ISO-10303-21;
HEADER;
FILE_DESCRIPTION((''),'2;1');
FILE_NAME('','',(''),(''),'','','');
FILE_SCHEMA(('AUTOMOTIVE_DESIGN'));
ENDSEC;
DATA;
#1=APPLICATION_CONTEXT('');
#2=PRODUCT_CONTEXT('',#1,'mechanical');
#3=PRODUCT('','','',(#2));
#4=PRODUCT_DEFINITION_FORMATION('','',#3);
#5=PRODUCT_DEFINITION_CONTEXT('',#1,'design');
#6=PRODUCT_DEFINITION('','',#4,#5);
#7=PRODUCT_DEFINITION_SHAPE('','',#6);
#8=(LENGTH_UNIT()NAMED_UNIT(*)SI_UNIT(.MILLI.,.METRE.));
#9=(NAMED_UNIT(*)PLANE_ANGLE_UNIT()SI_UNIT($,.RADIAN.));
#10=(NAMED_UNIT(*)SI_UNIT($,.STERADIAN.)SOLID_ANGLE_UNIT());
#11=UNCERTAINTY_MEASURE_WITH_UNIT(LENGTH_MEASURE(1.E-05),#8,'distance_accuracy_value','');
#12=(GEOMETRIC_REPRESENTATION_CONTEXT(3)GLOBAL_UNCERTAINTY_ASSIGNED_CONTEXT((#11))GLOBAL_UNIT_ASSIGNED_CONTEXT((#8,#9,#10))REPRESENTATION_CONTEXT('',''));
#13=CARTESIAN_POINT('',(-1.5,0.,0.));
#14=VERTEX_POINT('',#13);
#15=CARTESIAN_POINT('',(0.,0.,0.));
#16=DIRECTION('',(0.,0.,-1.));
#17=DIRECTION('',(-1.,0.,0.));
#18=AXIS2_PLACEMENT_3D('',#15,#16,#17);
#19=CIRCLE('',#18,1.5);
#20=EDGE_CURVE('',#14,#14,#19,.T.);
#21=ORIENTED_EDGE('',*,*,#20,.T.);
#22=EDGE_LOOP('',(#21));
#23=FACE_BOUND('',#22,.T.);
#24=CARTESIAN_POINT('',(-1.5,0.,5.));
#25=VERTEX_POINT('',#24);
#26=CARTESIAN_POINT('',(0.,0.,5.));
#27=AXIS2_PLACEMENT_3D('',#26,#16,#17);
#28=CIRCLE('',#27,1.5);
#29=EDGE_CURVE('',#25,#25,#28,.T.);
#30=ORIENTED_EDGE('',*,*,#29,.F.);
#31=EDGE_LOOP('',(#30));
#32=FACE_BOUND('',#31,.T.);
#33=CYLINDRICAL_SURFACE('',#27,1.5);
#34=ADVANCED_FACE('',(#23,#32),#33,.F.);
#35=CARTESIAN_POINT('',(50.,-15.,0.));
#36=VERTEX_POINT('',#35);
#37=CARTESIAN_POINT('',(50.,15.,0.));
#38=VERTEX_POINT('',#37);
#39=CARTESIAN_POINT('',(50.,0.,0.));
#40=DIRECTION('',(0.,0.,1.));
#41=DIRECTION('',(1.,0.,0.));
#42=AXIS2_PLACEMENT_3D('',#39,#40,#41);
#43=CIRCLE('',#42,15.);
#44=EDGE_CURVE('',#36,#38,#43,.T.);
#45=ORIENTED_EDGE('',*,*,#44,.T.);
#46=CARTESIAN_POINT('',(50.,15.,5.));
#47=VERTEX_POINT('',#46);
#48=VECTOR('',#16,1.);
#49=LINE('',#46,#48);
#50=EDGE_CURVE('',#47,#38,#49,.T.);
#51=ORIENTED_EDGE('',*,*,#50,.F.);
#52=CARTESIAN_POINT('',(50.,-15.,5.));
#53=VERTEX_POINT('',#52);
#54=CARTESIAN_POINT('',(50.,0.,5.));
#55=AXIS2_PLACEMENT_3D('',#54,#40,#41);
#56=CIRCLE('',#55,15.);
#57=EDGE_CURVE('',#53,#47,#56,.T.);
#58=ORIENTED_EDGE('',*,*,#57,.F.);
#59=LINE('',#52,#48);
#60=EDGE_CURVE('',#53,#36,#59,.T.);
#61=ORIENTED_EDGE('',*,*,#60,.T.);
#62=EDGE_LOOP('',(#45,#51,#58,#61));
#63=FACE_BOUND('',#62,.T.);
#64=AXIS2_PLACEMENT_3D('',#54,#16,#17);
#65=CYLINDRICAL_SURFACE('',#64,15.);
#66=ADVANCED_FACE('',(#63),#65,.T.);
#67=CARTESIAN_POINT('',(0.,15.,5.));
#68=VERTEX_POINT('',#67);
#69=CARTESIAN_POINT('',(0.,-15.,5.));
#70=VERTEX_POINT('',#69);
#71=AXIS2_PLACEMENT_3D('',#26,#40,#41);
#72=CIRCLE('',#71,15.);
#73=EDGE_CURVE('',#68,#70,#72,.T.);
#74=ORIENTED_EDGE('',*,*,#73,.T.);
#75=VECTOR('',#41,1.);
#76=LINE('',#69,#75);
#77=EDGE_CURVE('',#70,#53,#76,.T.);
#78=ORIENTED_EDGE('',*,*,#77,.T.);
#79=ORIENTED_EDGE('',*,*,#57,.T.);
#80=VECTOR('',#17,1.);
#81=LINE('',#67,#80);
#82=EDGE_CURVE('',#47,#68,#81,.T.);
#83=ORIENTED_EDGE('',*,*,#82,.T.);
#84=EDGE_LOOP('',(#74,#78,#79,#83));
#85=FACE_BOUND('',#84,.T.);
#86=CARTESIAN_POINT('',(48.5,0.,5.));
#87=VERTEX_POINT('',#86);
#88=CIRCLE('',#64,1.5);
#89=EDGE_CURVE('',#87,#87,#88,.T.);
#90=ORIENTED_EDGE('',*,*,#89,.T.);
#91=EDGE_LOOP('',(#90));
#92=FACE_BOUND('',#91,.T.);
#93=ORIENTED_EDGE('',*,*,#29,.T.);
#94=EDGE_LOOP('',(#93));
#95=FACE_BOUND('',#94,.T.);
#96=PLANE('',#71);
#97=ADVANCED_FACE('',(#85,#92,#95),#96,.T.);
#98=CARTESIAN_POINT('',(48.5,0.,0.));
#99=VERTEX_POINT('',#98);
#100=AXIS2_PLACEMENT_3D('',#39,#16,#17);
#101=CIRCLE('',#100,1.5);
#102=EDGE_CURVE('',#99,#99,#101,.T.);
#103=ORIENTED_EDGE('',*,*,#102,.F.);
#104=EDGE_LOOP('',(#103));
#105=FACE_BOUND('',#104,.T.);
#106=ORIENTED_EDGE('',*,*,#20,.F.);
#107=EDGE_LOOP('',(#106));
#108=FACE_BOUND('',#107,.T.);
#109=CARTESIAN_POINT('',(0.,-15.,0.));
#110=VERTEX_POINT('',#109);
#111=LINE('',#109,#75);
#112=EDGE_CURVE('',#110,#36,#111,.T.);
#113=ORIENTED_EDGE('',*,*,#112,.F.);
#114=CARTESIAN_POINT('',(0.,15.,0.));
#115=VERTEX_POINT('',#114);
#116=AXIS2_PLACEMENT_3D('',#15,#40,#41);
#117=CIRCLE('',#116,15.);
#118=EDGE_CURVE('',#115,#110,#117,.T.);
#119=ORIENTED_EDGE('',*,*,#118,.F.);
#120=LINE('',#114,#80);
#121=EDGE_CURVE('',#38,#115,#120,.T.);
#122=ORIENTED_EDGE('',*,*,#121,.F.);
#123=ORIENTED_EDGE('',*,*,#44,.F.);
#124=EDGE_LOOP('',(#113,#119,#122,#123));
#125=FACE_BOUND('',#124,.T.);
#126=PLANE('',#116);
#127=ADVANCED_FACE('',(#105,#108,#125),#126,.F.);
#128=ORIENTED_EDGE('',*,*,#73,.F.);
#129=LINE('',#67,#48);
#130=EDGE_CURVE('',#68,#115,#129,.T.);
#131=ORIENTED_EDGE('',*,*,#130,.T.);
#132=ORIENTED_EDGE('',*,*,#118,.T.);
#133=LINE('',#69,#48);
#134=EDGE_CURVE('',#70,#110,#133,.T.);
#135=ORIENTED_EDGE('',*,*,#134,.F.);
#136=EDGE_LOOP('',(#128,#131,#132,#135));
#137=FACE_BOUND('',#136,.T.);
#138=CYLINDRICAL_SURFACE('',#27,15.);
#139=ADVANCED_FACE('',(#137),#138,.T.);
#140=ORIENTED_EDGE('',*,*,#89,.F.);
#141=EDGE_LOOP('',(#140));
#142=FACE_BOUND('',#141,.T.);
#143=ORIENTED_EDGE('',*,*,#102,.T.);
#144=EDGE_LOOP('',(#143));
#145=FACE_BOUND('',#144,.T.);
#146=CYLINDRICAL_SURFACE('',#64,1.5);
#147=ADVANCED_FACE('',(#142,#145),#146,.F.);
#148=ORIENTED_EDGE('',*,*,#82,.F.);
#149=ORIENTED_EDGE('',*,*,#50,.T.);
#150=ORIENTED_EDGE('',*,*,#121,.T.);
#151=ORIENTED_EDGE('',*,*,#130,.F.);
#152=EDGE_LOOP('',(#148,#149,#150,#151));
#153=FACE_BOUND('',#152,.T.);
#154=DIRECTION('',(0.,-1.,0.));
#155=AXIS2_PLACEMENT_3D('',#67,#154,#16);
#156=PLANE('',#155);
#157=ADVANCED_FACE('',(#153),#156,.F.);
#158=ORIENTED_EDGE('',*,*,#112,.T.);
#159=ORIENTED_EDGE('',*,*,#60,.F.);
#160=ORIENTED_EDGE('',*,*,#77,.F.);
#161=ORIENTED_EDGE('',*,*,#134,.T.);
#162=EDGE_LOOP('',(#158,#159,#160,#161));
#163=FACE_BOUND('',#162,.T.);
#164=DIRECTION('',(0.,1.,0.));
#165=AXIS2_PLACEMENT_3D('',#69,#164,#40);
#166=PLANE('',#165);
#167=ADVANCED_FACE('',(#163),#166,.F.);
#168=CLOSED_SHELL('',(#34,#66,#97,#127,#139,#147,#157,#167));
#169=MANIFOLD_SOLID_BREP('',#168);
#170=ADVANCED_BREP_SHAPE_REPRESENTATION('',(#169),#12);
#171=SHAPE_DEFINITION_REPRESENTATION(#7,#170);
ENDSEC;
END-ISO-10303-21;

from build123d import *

# Parameters (mm, degrees)
BOSS_EXTRUDE1_DEPTH = 5
SKETCH3_R           = 1.5
CUT_EXTRUDE1_DEPTH  = 5


with BuildPart() as part:
    # Sketch2 → Boss-Extrude1 (new body)
    with BuildSketch(Plane.XY):
        with BuildLine():
            Line((0, 15), (50, 15))
            ThreePointArc((50, 15), (65, 0), (50, -15))
            Line((50, -15), (0, -15))
            ThreePointArc((0, -15), (-15, 0), (0, 15))
        make_face()
    extrude(amount=BOSS_EXTRUDE1_DEPTH)

    # Sketch3 → Cut-Extrude1 (cut)
    with BuildSketch(Plane(origin=(0, 0, 0), x_dir=(-1, 0, 0), z_dir=(0, 0, -1))):
        with Locations((-50, 0)):
            Circle(SKETCH3_R)
        Circle(SKETCH3_R)
    extrude(amount=-CUT_EXTRUDE1_DEPTH, mode=Mode.SUBTRACT)


solid = part.part
